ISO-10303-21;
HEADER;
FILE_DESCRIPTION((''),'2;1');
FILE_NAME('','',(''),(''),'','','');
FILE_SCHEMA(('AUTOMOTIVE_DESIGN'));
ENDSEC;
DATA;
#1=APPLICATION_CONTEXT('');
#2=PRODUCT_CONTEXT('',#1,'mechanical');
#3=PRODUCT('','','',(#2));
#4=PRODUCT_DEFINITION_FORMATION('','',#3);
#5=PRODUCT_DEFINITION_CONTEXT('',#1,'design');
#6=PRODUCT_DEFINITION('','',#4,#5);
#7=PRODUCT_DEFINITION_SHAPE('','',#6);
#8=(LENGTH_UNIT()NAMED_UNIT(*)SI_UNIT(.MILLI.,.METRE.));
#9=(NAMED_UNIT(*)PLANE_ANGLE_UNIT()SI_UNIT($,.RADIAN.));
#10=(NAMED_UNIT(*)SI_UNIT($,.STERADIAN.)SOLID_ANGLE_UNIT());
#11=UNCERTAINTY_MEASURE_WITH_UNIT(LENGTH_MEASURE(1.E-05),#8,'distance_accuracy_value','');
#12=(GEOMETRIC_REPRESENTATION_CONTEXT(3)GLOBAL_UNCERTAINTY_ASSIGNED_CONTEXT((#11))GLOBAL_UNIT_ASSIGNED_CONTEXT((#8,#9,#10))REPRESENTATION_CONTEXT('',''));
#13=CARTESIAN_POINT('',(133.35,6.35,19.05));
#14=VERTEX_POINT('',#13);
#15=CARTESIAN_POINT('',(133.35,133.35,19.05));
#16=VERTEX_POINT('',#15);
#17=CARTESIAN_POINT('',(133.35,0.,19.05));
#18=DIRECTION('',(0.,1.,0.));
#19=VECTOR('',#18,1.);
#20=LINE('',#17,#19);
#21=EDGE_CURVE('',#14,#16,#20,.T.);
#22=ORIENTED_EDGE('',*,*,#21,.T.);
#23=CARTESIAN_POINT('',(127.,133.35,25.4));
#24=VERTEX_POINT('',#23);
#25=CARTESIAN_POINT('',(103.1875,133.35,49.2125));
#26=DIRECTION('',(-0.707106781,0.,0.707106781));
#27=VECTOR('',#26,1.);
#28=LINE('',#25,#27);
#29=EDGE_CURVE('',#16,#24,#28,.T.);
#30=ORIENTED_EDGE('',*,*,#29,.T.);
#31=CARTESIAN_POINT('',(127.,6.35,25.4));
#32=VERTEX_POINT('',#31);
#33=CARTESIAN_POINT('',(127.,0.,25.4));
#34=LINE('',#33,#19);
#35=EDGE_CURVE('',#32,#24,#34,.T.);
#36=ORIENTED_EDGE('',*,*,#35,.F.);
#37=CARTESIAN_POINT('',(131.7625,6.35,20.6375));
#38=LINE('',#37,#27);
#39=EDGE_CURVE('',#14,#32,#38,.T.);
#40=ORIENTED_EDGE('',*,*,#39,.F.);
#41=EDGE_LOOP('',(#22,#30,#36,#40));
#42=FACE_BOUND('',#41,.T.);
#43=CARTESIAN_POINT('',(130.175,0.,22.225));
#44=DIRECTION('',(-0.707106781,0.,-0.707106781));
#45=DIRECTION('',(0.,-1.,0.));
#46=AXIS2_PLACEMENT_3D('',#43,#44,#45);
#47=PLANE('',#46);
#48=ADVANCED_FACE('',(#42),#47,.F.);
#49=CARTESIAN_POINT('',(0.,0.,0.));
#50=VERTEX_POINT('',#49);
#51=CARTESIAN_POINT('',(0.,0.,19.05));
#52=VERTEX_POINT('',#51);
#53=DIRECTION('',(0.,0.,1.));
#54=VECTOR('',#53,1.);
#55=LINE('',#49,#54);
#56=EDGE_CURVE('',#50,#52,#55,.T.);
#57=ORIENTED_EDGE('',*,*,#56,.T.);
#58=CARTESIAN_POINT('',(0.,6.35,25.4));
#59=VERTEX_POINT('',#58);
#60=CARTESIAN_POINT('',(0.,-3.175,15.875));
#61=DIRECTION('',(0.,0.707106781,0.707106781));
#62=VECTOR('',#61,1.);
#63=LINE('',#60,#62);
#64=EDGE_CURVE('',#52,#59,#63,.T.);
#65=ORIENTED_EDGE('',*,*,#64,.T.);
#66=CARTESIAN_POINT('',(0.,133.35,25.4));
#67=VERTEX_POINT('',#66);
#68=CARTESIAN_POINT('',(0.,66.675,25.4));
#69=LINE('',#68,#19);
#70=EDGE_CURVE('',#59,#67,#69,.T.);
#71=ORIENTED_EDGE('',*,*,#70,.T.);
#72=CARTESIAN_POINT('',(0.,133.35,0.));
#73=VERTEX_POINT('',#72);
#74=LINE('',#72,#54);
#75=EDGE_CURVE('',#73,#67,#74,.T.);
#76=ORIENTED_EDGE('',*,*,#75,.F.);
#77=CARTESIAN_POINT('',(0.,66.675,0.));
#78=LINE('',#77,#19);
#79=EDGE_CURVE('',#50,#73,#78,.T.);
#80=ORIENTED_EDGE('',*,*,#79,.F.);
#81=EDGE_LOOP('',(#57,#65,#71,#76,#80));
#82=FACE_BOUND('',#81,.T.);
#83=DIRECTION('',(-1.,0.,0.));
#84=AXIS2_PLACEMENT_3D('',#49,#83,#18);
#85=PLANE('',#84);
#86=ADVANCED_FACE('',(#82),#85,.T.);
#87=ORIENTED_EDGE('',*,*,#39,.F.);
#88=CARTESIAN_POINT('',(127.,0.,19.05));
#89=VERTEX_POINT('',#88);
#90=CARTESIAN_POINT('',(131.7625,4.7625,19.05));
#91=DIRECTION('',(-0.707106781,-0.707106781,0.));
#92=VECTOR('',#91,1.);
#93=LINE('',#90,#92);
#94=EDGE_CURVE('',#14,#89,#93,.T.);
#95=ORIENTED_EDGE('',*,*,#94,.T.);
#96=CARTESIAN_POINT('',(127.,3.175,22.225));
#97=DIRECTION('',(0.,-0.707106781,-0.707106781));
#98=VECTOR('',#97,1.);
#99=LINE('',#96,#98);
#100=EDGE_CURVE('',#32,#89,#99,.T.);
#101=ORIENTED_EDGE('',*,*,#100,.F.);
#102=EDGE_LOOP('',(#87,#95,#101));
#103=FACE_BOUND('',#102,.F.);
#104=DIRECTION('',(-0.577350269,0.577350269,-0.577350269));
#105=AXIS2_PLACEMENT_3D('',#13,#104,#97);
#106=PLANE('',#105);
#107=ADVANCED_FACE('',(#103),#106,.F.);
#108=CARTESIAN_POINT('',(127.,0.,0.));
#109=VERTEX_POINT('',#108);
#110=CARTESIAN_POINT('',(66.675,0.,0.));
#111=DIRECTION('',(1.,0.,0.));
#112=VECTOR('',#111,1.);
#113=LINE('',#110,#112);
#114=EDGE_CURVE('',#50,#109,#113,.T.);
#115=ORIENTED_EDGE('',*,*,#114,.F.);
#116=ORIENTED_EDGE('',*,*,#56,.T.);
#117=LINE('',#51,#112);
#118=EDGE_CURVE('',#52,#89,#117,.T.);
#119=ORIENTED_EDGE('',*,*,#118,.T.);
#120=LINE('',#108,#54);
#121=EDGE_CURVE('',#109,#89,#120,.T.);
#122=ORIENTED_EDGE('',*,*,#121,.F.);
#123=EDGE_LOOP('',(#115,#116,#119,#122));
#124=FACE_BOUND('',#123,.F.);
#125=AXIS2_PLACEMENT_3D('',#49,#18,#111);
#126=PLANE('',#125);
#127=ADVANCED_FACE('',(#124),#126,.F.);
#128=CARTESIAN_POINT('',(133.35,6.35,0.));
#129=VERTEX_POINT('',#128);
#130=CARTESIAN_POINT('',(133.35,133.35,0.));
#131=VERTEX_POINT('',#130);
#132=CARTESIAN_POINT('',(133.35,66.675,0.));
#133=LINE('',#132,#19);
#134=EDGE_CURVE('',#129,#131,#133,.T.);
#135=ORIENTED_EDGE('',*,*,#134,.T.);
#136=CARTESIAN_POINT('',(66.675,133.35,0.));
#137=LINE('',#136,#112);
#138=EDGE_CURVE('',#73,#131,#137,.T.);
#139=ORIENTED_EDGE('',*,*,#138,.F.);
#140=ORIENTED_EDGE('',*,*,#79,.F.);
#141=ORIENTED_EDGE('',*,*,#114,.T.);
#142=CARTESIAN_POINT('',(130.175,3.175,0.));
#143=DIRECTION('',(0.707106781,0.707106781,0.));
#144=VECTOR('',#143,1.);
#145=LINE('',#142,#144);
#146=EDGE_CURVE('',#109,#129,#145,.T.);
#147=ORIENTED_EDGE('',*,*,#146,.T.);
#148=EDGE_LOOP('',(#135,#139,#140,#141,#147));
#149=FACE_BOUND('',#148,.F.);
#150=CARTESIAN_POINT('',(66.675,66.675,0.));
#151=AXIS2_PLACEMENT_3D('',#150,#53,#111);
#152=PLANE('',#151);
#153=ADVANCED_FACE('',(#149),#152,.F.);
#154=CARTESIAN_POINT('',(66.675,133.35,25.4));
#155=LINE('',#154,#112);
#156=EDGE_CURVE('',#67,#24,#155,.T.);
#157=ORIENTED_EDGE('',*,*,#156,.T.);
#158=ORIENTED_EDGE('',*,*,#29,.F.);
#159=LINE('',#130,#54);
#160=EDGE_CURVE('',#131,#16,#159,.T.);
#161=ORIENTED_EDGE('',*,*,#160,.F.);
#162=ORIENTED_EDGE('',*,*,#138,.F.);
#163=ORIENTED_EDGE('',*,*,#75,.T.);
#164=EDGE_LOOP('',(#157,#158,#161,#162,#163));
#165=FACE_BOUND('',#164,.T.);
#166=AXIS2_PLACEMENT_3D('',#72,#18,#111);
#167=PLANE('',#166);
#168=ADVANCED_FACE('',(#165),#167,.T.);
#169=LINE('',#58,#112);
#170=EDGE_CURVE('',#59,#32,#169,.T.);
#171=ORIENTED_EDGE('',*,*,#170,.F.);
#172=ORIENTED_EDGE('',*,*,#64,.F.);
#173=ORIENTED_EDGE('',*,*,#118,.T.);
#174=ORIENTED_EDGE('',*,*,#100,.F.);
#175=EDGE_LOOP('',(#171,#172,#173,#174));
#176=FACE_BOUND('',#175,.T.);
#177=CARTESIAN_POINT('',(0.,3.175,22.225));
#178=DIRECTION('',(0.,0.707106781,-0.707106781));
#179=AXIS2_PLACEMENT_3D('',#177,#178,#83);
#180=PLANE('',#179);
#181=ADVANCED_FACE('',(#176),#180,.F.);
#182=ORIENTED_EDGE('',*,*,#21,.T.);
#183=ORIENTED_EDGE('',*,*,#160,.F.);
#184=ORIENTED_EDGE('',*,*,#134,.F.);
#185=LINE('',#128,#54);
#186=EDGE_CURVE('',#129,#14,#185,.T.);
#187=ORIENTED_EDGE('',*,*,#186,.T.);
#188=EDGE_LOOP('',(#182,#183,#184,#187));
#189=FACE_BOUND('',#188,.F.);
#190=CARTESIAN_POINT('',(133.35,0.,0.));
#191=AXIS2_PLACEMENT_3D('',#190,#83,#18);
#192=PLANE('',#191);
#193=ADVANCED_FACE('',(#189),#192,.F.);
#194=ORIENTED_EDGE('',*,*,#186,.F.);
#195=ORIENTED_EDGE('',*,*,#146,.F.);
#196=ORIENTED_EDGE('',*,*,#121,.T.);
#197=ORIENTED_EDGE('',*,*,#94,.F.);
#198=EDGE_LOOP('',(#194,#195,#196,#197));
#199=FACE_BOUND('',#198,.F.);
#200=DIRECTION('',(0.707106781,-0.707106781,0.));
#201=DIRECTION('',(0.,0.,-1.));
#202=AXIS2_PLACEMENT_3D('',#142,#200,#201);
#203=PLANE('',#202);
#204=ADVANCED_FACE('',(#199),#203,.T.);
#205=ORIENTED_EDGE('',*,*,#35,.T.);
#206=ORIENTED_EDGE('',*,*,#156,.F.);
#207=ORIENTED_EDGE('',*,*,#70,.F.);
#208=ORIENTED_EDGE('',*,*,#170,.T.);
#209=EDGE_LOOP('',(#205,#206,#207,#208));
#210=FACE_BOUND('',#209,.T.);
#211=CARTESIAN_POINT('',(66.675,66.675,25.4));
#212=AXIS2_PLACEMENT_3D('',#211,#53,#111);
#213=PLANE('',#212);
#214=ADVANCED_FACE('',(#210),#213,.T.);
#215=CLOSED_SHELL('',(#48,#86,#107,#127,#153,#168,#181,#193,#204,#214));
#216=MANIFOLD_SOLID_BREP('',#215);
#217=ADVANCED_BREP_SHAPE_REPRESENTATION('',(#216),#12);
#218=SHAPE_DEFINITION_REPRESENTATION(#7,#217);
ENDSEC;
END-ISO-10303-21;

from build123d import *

# Parameters (mm, degrees)
F0_W     = 133.35
F0_H     = 133.35
F1_DEPTH = 25.4
F2_SIZE  = 6.35


with BuildPart() as f1:
    # F0 (on Top) → F1 (new body)
    with BuildSketch(Plane.XY):
        with Locations((66.675, 66.675)):
            Rectangle(F0_W, F0_H)
    extrude(amount=F1_DEPTH)

    # F2
    f2_edges = [f1.edges().sort_by_distance(p)[0] for p in [
        (66.675, 0, 25.4),
        (133.35, 66.675, 25.4),
        (133.35, 0, 12.7),
    ]]
    chamfer(f2_edges, length=F2_SIZE)


solid = f1.part
